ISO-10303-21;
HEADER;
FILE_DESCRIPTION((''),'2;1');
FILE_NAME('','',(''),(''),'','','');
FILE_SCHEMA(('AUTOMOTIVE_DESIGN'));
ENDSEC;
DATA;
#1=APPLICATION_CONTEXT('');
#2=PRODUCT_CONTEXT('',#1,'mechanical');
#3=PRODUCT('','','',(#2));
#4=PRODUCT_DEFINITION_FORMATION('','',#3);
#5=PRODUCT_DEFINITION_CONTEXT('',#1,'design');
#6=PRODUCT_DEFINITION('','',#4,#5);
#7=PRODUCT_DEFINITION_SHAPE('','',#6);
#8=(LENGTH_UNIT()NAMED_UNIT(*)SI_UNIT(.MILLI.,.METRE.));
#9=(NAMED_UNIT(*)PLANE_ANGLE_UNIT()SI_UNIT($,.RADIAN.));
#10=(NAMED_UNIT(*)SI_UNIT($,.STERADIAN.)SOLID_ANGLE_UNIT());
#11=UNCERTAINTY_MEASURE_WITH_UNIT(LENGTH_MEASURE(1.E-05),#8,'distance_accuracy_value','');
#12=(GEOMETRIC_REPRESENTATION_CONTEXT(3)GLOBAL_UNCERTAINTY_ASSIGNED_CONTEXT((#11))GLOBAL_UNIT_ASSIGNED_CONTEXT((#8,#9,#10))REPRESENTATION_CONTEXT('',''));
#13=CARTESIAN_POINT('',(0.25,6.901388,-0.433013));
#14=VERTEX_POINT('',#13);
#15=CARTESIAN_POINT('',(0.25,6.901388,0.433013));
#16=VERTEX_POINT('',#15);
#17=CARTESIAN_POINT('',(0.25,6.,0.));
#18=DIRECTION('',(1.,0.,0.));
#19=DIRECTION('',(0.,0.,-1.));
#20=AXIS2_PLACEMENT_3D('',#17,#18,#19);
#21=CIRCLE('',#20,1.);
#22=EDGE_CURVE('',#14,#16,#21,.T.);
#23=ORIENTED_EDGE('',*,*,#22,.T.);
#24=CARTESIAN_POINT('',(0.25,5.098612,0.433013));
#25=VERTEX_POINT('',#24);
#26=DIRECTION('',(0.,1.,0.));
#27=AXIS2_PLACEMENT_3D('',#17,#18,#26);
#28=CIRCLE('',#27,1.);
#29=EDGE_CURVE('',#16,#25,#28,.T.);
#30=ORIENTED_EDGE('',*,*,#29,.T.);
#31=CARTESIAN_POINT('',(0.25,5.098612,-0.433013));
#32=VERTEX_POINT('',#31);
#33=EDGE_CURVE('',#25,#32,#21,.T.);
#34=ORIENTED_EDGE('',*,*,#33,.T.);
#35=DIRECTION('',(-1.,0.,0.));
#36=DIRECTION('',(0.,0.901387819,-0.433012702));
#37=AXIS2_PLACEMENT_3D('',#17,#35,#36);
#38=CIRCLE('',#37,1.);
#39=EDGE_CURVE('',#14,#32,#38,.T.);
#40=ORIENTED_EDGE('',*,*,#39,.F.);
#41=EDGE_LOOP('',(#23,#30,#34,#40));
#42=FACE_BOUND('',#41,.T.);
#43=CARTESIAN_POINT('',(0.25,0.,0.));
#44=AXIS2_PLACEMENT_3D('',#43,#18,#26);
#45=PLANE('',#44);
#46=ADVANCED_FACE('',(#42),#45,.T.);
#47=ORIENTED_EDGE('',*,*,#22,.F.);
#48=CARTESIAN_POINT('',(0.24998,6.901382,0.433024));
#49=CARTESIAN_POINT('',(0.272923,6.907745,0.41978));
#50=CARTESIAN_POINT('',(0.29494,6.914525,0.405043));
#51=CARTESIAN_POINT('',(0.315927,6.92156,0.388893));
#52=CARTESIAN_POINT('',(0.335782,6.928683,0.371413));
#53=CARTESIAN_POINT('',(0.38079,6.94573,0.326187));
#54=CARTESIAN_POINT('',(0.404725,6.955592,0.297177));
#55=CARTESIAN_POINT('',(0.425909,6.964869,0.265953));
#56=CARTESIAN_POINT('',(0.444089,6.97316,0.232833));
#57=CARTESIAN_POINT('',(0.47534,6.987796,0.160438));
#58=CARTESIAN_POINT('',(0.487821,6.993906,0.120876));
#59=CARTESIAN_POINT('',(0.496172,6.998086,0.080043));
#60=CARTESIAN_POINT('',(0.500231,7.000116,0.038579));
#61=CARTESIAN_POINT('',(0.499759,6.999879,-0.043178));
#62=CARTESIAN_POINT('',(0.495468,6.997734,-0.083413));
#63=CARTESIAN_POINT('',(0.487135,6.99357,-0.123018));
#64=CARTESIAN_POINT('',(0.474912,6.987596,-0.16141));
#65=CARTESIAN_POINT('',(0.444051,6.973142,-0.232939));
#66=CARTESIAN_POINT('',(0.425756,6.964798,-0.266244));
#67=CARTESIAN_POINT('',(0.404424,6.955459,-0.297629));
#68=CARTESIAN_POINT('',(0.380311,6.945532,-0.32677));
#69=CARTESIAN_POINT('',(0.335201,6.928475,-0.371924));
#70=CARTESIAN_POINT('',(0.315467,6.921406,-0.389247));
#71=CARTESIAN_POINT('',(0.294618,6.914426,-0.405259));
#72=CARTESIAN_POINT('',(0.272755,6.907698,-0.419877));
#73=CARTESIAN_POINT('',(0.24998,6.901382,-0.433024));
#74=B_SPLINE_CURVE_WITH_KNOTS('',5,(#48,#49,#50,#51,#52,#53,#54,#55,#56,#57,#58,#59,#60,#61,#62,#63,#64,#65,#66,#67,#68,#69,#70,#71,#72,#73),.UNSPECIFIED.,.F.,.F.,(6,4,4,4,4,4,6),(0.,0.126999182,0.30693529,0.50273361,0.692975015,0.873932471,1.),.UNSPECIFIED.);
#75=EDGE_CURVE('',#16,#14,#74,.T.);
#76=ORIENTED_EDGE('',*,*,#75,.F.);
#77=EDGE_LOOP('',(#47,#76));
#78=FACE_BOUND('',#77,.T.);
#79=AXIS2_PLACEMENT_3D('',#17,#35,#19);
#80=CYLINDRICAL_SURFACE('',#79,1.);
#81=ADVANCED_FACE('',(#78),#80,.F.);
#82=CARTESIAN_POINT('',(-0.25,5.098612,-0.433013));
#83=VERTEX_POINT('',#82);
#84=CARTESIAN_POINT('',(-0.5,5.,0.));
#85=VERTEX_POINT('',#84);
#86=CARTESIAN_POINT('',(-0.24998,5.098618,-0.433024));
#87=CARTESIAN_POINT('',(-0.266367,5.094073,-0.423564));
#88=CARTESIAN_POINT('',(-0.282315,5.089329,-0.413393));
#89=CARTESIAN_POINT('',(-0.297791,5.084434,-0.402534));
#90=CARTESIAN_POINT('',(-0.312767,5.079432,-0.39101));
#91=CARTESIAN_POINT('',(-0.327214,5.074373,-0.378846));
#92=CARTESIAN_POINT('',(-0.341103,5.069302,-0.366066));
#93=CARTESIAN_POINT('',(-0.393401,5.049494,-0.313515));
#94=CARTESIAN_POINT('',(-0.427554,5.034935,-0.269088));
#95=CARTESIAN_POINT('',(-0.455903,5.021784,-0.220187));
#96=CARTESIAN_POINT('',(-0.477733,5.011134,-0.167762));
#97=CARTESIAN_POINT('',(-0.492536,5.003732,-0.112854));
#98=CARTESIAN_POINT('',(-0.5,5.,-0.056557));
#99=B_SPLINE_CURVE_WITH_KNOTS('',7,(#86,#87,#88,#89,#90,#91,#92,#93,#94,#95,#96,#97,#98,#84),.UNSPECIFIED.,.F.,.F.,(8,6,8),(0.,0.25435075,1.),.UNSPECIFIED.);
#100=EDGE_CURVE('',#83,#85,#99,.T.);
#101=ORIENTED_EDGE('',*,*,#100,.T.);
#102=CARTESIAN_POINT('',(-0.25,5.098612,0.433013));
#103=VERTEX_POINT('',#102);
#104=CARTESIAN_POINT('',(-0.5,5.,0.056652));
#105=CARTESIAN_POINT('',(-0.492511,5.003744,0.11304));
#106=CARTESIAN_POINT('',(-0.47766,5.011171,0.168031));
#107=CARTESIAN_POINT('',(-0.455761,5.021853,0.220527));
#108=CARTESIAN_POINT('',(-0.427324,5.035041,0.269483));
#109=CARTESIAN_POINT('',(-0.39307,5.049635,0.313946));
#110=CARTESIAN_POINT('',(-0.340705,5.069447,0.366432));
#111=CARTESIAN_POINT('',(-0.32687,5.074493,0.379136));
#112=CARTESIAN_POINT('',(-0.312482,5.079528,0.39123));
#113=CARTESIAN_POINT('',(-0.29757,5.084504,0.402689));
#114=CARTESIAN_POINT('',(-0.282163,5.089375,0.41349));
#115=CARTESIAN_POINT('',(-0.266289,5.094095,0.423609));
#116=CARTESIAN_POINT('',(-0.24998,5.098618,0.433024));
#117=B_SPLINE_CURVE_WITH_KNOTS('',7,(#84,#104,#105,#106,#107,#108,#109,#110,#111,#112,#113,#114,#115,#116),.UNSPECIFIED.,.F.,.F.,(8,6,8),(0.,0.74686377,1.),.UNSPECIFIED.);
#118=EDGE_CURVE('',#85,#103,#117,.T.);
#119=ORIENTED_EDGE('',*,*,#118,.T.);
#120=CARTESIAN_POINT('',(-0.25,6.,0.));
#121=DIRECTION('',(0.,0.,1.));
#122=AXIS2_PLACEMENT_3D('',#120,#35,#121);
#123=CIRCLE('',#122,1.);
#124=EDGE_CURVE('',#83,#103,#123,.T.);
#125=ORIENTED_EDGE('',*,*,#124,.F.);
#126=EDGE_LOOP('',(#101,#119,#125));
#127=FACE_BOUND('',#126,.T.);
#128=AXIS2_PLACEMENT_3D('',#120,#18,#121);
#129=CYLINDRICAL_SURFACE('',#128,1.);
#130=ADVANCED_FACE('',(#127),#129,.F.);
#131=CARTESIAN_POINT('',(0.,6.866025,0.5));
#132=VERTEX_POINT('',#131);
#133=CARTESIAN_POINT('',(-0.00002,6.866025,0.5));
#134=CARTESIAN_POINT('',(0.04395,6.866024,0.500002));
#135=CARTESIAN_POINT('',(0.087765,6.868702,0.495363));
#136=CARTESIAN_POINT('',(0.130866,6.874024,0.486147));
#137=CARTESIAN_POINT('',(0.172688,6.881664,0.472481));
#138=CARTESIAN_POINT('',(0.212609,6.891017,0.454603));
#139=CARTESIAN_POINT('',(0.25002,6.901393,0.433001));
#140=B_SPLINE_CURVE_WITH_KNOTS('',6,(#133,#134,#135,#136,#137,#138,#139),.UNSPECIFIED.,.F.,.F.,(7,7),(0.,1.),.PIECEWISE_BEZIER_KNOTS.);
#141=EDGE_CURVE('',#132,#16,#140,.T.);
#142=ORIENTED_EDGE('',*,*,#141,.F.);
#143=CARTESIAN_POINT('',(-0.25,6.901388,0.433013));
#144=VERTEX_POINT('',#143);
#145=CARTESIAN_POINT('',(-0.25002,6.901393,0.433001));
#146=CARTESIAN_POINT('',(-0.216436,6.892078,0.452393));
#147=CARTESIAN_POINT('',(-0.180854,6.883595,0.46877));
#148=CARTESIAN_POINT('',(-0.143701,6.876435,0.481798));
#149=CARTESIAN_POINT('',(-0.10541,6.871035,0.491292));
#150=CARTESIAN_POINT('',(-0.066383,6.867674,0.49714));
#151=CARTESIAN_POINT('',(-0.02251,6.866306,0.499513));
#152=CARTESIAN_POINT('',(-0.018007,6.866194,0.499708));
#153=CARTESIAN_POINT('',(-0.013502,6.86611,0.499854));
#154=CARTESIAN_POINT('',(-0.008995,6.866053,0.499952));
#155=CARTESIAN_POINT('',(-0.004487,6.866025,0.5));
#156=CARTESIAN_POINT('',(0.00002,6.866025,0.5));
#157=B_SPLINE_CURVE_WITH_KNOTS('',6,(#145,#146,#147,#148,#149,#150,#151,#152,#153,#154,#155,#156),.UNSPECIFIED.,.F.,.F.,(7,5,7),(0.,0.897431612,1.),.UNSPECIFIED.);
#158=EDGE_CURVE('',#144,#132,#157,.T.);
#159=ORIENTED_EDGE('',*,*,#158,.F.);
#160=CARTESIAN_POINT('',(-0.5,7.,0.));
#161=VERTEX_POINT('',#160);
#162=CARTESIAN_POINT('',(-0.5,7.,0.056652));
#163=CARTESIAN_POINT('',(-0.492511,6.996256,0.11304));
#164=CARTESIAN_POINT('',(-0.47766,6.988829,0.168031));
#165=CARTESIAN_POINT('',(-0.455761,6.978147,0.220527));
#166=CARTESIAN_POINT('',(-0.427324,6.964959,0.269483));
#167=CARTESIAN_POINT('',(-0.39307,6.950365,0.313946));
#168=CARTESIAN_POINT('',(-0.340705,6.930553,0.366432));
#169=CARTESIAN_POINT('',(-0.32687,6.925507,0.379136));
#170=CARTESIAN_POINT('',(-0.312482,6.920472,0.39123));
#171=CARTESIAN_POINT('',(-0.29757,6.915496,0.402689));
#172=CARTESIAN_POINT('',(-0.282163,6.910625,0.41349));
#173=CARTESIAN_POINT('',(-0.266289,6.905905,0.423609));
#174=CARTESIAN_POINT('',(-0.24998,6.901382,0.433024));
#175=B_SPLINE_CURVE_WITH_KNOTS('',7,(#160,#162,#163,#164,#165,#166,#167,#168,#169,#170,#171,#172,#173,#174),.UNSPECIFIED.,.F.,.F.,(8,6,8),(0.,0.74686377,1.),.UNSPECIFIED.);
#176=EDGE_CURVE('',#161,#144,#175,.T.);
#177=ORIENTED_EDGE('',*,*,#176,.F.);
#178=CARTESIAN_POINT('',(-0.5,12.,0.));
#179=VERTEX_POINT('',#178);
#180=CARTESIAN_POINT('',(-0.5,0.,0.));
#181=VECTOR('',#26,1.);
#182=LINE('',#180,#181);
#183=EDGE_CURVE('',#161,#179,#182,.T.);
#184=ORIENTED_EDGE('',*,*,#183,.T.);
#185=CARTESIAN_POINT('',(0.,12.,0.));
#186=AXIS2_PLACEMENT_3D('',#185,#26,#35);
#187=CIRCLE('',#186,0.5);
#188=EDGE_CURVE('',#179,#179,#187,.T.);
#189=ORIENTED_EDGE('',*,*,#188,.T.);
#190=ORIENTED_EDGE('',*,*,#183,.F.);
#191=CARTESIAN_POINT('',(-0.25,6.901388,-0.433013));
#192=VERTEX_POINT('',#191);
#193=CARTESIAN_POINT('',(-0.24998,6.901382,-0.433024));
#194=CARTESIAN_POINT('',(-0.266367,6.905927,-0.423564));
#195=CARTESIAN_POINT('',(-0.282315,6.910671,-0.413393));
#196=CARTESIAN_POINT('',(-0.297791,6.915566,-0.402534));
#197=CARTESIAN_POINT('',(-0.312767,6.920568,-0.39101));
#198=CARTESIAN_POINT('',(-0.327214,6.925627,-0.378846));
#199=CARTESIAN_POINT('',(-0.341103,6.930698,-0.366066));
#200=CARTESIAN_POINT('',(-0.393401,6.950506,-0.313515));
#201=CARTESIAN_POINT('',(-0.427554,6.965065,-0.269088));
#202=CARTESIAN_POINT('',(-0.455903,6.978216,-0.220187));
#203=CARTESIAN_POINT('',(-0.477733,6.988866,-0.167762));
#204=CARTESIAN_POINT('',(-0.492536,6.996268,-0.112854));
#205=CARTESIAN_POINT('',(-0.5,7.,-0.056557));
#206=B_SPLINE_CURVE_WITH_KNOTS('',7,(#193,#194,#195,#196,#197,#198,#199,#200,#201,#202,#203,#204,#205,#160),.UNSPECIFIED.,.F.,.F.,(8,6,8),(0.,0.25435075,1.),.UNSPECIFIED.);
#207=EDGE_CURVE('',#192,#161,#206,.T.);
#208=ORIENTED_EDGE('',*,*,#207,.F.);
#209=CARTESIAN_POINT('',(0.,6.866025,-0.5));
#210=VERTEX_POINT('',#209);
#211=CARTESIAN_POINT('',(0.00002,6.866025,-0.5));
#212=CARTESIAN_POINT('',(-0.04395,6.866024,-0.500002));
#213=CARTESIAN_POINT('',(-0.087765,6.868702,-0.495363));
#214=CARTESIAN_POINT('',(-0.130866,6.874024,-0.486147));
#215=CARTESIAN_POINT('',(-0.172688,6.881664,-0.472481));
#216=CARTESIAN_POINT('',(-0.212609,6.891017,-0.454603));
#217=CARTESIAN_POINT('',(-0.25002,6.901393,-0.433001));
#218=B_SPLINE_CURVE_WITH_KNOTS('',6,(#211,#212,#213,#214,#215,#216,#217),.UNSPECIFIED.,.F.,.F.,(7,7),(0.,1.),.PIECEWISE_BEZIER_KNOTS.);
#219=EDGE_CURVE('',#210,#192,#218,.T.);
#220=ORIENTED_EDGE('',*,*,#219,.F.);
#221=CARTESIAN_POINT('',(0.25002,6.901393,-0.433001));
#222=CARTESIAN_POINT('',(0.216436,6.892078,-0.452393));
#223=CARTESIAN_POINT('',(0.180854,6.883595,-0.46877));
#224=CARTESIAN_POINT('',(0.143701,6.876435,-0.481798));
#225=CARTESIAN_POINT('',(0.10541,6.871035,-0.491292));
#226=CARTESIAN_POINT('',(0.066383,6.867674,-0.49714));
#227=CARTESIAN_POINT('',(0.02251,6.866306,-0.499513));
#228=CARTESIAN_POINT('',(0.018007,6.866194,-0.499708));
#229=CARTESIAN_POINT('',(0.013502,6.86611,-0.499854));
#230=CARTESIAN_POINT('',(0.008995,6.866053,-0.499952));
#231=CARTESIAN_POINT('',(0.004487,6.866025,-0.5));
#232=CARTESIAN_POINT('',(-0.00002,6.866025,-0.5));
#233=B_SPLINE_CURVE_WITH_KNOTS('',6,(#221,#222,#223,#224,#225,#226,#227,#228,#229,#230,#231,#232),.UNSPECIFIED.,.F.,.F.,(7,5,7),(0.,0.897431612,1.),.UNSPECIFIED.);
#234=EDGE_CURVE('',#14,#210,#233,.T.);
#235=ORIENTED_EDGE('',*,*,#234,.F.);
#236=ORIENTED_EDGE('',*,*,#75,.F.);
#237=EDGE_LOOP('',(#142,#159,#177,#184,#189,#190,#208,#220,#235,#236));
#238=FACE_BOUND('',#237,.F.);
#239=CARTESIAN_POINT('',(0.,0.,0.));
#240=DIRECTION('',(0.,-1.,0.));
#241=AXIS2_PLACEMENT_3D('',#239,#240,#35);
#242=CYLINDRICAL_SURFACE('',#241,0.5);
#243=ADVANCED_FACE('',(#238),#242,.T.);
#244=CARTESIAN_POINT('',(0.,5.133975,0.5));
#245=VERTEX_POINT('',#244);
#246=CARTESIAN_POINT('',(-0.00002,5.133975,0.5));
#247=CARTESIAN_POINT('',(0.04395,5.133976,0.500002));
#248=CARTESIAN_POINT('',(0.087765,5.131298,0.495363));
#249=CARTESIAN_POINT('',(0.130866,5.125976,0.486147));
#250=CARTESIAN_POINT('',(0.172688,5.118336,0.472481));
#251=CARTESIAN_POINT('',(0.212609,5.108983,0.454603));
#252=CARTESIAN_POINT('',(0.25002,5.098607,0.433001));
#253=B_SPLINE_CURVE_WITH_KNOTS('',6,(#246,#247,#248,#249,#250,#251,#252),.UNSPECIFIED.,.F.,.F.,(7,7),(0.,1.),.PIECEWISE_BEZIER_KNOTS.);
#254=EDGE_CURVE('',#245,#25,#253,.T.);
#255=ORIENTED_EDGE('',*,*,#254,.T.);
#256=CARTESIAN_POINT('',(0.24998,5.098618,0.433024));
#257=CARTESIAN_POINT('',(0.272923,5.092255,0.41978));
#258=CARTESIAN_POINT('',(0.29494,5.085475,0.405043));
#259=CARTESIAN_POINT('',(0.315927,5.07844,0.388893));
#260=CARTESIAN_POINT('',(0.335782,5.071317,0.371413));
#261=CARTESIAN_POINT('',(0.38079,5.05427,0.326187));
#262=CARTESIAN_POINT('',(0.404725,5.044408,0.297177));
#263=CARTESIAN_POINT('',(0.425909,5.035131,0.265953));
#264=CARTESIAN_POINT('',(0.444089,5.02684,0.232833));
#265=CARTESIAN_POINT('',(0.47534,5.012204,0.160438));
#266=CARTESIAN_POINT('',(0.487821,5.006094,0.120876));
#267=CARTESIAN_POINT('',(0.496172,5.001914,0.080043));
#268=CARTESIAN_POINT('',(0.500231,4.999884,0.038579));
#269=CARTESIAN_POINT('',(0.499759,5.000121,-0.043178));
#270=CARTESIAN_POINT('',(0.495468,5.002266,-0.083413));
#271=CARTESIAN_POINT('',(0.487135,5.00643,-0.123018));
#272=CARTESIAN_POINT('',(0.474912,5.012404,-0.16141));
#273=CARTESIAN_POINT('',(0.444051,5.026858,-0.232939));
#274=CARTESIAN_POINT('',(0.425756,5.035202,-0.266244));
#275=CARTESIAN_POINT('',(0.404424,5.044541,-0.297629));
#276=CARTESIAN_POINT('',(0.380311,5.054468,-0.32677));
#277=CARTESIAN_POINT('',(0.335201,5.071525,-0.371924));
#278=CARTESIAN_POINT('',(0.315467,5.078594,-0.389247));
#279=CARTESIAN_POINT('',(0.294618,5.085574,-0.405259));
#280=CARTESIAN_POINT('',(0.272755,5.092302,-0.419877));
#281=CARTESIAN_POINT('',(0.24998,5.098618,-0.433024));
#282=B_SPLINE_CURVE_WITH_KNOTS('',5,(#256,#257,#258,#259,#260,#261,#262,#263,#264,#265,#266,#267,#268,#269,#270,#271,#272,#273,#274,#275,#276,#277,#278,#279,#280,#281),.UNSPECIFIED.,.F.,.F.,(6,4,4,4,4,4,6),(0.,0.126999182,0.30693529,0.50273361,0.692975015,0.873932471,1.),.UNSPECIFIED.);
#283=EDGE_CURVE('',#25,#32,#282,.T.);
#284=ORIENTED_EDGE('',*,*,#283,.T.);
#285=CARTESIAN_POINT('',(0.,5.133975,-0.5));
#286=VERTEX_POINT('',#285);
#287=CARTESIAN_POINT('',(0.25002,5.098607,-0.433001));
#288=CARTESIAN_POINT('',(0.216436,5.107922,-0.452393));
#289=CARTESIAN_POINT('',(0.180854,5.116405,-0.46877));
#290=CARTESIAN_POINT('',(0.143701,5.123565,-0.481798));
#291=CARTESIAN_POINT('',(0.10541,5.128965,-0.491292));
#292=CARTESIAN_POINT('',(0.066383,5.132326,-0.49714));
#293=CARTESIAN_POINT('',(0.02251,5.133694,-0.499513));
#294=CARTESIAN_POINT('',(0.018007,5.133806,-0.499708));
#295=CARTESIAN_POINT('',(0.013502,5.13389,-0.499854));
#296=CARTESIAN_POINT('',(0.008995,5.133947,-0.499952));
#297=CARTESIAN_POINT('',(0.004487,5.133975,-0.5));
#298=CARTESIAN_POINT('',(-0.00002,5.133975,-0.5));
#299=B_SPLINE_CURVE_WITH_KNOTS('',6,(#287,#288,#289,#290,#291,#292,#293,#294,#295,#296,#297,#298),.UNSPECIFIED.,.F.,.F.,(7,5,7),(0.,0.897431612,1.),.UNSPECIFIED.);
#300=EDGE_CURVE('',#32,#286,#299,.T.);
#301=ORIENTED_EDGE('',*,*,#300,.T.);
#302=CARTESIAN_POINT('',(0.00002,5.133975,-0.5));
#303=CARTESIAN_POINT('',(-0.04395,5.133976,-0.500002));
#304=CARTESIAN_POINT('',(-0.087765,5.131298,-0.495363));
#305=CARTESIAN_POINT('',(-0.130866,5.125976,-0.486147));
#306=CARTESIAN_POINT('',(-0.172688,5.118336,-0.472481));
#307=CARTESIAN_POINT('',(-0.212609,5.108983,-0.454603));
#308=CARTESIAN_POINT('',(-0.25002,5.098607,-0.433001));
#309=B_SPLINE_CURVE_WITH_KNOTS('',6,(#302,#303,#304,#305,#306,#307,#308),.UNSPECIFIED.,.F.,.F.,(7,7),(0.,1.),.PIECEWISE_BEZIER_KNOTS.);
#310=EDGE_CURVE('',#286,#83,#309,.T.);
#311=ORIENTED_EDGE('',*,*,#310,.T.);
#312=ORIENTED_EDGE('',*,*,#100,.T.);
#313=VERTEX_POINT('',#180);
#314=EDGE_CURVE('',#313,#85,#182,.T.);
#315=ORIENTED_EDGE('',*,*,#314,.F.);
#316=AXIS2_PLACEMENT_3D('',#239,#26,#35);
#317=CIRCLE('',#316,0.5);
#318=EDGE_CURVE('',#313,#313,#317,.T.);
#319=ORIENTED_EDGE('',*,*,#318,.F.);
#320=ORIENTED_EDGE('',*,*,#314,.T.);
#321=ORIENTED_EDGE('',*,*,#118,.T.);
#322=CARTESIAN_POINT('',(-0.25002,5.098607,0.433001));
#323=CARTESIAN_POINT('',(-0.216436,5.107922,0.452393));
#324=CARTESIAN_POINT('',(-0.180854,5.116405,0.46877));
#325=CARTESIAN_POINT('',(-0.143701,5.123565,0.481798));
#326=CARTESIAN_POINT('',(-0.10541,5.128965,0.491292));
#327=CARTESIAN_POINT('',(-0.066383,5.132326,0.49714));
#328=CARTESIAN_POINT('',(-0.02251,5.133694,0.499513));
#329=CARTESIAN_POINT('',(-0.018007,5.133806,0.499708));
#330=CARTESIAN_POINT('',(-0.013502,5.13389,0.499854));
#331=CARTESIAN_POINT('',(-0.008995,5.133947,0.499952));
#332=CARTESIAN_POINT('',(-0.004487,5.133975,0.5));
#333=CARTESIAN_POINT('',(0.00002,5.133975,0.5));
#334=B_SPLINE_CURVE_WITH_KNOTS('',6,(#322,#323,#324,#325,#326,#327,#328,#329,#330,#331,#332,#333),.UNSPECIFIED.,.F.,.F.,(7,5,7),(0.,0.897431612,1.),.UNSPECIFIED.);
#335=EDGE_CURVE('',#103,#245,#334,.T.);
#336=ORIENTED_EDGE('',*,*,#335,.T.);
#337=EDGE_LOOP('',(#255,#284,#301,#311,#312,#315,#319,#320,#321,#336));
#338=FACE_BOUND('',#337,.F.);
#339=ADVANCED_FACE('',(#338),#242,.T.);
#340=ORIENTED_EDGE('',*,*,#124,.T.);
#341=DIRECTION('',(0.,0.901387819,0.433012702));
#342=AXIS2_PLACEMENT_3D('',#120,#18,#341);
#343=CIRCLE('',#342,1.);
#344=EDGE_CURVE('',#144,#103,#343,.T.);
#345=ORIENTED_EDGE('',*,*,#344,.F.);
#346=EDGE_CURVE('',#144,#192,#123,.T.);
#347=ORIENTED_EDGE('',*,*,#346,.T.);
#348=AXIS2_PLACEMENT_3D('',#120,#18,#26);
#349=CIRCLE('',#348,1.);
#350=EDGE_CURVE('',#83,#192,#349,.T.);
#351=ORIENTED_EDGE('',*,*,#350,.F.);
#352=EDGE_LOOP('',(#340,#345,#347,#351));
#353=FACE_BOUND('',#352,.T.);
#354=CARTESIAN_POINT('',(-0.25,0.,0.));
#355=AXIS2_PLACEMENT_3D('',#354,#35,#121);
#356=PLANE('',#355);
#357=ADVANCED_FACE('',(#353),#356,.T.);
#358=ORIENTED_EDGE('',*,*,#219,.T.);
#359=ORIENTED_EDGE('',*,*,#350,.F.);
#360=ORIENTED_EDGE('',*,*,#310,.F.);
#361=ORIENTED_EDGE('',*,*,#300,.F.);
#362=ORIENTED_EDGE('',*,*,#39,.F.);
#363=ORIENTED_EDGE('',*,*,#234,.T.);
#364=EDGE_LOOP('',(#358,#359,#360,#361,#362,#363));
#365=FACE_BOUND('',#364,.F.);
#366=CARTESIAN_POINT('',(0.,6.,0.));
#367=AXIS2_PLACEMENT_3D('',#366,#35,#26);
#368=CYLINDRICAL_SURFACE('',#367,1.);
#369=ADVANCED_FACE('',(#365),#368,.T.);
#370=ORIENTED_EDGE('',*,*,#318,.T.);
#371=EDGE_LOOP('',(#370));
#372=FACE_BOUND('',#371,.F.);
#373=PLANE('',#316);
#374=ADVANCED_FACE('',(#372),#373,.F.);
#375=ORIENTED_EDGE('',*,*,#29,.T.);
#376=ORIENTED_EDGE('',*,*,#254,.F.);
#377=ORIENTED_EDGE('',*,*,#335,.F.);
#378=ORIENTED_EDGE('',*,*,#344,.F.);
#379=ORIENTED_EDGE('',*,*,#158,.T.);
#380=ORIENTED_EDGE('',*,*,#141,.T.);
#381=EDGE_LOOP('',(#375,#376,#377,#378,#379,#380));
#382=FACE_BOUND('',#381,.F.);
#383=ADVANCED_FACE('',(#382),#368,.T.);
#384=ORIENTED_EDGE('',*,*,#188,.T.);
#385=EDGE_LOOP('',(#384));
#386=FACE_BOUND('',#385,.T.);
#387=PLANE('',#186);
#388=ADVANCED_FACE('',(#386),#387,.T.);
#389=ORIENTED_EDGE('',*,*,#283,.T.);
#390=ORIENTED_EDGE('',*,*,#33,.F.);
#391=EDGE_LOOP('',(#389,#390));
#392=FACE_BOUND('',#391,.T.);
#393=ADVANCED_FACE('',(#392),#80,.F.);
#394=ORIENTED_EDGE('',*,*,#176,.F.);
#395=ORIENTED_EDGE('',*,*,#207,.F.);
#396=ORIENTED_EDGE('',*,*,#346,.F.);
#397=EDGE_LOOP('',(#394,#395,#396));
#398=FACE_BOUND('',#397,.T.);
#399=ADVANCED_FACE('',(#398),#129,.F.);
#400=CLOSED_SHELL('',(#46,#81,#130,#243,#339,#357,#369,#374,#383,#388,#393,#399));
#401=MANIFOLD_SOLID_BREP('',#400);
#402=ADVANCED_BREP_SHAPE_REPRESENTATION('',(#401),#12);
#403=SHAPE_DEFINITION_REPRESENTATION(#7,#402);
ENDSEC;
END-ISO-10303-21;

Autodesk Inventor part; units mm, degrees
ref_plane "YZ Plane" through (0, 0, 0) normal (1, 0, 0) x (0, 1, 0)
ref_plane "XZ Plane" through (0, 0, 0) normal (0, 1, 0) x (-1, 0, 0)
sketch "Эскиз1" plane through (0, 0, 0) normal (0, 1, 0) x (-1, 0, 0)
  circle A0 centre (0, 0) radius 0.5
  dimension "d0" = 1
extrude "Выдавливание1" add sketch "Эскиз1" along normal blind 12
sketch "Эскиз2" plane through (0, 0, 0) normal (1, 0, 0) x (0, 1, 0)
  line L0 (0, 0) -> (6, 0) construction
  circle A0 centre (6, 0) radius 1
  dimension "d3" = 6
  dimension "d4" = 2
extrude "Выдавливание2" add sketch "Эскиз2" along normal mid plane 0.5
sketch "Эскиз3" plane through (-0.25, 0, 0) normal (-1, 0, 0) x (0, 0, 1)
  line L0 (0, 0) -> (0, 6) construction
  circle A0 centre (0, 6) radius 1
  dimension "d7" = 6
  dimension "d8" = 2
extrude "Выдавливание3" cut sketch "Эскиз3" along normal blind 1.25
sketch "Эскиз4" plane through (-0.25, 0, 0) normal (-1, 0, 0) x (0, 0, 1)
  point P0 (0, 0)
ref_plane "РабПлоскость1" through (0, 0, 0) normal (-1, 0, 0) x (0, 0, 1)
sketch "Эскиз6" plane through (0.25, 0, 0) normal (1, 0, 0) x (0, 0, -1)
  circle A0 centre (0, 6) radius 1
  point P0 (0, 0)
extrude "Выдавливание5" cut sketch "Эскиз6" along normal blind 3
properties part number "штырь"
